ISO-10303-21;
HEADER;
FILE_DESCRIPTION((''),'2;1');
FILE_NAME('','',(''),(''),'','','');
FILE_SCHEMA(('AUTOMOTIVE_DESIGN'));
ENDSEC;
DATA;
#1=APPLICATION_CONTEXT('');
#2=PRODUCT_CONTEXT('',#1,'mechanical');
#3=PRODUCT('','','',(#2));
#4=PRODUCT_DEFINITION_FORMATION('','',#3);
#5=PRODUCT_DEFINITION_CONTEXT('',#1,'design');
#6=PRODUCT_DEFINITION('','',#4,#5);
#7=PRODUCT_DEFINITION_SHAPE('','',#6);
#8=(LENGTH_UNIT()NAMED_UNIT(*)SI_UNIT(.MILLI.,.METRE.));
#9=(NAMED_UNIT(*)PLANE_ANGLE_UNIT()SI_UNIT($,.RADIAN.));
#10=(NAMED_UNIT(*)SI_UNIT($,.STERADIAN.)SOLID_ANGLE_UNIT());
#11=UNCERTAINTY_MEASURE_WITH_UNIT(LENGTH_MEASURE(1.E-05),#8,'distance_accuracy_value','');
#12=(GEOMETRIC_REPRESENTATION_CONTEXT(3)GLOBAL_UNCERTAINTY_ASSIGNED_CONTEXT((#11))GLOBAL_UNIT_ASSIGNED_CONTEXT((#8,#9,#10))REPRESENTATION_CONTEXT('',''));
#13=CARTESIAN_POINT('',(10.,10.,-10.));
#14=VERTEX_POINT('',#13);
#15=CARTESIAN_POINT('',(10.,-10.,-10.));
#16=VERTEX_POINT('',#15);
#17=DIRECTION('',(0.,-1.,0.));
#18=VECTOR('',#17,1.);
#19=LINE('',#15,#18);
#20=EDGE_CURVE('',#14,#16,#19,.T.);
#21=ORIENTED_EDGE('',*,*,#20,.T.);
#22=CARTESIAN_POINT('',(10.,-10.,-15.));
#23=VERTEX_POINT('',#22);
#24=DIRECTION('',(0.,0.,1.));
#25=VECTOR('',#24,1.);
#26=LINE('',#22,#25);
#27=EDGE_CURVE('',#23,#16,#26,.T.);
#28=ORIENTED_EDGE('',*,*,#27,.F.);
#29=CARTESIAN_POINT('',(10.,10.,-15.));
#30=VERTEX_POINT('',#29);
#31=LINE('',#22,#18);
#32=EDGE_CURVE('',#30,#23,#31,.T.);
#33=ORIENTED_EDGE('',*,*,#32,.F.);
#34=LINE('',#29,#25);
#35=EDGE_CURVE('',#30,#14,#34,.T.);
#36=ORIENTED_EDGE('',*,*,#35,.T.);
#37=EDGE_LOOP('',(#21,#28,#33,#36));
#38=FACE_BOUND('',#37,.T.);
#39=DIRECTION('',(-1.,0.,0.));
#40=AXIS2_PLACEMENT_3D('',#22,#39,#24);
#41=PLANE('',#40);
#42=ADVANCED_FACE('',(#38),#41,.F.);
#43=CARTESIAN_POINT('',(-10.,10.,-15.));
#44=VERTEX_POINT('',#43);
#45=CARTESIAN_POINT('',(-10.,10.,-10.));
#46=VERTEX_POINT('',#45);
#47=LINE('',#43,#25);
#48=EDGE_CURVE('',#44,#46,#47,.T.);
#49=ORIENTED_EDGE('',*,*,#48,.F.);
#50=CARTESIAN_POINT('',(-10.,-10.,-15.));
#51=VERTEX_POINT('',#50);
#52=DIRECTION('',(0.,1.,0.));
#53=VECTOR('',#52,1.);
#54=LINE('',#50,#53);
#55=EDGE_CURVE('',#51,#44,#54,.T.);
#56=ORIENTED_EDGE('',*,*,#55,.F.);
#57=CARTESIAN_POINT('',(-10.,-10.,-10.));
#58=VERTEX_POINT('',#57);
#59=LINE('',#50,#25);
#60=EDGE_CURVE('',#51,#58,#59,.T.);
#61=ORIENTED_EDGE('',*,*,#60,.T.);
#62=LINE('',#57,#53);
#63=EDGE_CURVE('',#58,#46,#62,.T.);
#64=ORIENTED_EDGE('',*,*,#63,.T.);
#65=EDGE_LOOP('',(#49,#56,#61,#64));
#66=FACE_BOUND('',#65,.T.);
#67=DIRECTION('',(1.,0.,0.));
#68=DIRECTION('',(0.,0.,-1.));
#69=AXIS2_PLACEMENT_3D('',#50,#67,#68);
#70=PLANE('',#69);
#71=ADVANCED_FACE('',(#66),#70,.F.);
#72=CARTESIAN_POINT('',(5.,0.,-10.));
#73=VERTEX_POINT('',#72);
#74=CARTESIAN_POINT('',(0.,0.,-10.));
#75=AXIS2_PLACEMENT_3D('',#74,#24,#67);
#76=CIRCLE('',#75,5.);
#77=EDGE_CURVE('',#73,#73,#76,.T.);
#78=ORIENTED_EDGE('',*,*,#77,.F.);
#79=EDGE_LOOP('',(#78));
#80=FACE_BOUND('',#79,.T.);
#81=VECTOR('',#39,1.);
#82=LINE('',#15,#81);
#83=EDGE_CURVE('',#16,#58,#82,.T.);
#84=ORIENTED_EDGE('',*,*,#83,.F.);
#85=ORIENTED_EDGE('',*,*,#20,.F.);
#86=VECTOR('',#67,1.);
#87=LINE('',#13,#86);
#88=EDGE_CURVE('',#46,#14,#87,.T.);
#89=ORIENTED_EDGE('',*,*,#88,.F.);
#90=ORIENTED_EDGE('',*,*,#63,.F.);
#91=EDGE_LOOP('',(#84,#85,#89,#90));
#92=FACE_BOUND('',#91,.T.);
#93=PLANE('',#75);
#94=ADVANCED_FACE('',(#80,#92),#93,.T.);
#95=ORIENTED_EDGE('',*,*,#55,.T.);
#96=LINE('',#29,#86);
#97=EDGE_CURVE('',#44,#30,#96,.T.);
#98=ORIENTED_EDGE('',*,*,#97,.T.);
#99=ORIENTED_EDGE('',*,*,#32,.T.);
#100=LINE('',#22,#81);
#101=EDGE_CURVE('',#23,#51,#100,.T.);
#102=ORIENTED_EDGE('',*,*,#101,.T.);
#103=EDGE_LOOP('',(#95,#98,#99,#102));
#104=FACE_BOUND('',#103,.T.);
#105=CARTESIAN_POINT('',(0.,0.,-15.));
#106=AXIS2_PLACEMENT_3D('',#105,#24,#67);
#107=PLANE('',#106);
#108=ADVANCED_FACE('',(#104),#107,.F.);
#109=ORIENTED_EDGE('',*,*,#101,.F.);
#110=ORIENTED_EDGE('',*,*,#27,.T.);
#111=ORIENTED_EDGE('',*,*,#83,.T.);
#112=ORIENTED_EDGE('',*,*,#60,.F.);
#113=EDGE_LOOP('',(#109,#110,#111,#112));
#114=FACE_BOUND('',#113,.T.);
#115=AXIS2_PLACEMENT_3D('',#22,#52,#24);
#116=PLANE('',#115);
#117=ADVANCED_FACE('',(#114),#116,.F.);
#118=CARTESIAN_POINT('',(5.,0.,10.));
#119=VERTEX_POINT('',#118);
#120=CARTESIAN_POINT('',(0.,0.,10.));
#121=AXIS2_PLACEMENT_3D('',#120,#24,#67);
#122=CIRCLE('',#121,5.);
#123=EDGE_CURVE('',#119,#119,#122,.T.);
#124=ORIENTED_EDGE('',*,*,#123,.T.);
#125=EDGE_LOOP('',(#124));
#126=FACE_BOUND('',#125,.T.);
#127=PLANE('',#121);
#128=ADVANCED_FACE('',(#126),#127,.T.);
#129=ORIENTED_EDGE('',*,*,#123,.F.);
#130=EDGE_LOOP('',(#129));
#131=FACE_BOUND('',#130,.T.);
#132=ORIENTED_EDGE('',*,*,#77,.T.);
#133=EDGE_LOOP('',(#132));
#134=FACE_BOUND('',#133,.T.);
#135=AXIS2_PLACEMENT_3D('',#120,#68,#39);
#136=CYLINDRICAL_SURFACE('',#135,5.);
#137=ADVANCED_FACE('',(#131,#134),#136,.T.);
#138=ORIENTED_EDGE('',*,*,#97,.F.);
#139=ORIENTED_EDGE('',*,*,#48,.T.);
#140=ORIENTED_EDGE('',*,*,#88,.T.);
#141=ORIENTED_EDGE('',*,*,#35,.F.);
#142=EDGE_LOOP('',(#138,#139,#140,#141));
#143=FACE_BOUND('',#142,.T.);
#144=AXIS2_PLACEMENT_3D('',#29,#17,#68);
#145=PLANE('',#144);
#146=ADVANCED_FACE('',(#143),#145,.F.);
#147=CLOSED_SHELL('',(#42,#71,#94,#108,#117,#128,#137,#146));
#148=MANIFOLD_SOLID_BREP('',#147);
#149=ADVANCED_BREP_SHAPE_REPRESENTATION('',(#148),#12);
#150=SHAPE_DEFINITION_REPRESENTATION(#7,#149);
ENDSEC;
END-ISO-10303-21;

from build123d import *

# Parameters (mm, degrees)
SKETCH_1_R      = 5
EXTRUDE_1_DEPTH = 10
SKETCH_2_W      = 20
SKETCH_2_H      = 20
EXTRUDE_2_DEPTH = 5


with BuildPart() as part:
    # 草图1 → 凸台-拉伸1 (new, symmetric)
    with BuildSketch(Plane.XY):
        Circle(SKETCH_1_R)
    extrude(amount=EXTRUDE_1_DEPTH, both=True)

    # 草图2 → 凸台-拉伸2 (add)
    with BuildSketch(Plane(origin=(0, 0, -10), x_dir=(-1, 0, 0), z_dir=(0, 0, -1))):
        Rectangle(SKETCH_2_W, SKETCH_2_H)
    extrude(amount=EXTRUDE_2_DEPTH)


solid = part.part
